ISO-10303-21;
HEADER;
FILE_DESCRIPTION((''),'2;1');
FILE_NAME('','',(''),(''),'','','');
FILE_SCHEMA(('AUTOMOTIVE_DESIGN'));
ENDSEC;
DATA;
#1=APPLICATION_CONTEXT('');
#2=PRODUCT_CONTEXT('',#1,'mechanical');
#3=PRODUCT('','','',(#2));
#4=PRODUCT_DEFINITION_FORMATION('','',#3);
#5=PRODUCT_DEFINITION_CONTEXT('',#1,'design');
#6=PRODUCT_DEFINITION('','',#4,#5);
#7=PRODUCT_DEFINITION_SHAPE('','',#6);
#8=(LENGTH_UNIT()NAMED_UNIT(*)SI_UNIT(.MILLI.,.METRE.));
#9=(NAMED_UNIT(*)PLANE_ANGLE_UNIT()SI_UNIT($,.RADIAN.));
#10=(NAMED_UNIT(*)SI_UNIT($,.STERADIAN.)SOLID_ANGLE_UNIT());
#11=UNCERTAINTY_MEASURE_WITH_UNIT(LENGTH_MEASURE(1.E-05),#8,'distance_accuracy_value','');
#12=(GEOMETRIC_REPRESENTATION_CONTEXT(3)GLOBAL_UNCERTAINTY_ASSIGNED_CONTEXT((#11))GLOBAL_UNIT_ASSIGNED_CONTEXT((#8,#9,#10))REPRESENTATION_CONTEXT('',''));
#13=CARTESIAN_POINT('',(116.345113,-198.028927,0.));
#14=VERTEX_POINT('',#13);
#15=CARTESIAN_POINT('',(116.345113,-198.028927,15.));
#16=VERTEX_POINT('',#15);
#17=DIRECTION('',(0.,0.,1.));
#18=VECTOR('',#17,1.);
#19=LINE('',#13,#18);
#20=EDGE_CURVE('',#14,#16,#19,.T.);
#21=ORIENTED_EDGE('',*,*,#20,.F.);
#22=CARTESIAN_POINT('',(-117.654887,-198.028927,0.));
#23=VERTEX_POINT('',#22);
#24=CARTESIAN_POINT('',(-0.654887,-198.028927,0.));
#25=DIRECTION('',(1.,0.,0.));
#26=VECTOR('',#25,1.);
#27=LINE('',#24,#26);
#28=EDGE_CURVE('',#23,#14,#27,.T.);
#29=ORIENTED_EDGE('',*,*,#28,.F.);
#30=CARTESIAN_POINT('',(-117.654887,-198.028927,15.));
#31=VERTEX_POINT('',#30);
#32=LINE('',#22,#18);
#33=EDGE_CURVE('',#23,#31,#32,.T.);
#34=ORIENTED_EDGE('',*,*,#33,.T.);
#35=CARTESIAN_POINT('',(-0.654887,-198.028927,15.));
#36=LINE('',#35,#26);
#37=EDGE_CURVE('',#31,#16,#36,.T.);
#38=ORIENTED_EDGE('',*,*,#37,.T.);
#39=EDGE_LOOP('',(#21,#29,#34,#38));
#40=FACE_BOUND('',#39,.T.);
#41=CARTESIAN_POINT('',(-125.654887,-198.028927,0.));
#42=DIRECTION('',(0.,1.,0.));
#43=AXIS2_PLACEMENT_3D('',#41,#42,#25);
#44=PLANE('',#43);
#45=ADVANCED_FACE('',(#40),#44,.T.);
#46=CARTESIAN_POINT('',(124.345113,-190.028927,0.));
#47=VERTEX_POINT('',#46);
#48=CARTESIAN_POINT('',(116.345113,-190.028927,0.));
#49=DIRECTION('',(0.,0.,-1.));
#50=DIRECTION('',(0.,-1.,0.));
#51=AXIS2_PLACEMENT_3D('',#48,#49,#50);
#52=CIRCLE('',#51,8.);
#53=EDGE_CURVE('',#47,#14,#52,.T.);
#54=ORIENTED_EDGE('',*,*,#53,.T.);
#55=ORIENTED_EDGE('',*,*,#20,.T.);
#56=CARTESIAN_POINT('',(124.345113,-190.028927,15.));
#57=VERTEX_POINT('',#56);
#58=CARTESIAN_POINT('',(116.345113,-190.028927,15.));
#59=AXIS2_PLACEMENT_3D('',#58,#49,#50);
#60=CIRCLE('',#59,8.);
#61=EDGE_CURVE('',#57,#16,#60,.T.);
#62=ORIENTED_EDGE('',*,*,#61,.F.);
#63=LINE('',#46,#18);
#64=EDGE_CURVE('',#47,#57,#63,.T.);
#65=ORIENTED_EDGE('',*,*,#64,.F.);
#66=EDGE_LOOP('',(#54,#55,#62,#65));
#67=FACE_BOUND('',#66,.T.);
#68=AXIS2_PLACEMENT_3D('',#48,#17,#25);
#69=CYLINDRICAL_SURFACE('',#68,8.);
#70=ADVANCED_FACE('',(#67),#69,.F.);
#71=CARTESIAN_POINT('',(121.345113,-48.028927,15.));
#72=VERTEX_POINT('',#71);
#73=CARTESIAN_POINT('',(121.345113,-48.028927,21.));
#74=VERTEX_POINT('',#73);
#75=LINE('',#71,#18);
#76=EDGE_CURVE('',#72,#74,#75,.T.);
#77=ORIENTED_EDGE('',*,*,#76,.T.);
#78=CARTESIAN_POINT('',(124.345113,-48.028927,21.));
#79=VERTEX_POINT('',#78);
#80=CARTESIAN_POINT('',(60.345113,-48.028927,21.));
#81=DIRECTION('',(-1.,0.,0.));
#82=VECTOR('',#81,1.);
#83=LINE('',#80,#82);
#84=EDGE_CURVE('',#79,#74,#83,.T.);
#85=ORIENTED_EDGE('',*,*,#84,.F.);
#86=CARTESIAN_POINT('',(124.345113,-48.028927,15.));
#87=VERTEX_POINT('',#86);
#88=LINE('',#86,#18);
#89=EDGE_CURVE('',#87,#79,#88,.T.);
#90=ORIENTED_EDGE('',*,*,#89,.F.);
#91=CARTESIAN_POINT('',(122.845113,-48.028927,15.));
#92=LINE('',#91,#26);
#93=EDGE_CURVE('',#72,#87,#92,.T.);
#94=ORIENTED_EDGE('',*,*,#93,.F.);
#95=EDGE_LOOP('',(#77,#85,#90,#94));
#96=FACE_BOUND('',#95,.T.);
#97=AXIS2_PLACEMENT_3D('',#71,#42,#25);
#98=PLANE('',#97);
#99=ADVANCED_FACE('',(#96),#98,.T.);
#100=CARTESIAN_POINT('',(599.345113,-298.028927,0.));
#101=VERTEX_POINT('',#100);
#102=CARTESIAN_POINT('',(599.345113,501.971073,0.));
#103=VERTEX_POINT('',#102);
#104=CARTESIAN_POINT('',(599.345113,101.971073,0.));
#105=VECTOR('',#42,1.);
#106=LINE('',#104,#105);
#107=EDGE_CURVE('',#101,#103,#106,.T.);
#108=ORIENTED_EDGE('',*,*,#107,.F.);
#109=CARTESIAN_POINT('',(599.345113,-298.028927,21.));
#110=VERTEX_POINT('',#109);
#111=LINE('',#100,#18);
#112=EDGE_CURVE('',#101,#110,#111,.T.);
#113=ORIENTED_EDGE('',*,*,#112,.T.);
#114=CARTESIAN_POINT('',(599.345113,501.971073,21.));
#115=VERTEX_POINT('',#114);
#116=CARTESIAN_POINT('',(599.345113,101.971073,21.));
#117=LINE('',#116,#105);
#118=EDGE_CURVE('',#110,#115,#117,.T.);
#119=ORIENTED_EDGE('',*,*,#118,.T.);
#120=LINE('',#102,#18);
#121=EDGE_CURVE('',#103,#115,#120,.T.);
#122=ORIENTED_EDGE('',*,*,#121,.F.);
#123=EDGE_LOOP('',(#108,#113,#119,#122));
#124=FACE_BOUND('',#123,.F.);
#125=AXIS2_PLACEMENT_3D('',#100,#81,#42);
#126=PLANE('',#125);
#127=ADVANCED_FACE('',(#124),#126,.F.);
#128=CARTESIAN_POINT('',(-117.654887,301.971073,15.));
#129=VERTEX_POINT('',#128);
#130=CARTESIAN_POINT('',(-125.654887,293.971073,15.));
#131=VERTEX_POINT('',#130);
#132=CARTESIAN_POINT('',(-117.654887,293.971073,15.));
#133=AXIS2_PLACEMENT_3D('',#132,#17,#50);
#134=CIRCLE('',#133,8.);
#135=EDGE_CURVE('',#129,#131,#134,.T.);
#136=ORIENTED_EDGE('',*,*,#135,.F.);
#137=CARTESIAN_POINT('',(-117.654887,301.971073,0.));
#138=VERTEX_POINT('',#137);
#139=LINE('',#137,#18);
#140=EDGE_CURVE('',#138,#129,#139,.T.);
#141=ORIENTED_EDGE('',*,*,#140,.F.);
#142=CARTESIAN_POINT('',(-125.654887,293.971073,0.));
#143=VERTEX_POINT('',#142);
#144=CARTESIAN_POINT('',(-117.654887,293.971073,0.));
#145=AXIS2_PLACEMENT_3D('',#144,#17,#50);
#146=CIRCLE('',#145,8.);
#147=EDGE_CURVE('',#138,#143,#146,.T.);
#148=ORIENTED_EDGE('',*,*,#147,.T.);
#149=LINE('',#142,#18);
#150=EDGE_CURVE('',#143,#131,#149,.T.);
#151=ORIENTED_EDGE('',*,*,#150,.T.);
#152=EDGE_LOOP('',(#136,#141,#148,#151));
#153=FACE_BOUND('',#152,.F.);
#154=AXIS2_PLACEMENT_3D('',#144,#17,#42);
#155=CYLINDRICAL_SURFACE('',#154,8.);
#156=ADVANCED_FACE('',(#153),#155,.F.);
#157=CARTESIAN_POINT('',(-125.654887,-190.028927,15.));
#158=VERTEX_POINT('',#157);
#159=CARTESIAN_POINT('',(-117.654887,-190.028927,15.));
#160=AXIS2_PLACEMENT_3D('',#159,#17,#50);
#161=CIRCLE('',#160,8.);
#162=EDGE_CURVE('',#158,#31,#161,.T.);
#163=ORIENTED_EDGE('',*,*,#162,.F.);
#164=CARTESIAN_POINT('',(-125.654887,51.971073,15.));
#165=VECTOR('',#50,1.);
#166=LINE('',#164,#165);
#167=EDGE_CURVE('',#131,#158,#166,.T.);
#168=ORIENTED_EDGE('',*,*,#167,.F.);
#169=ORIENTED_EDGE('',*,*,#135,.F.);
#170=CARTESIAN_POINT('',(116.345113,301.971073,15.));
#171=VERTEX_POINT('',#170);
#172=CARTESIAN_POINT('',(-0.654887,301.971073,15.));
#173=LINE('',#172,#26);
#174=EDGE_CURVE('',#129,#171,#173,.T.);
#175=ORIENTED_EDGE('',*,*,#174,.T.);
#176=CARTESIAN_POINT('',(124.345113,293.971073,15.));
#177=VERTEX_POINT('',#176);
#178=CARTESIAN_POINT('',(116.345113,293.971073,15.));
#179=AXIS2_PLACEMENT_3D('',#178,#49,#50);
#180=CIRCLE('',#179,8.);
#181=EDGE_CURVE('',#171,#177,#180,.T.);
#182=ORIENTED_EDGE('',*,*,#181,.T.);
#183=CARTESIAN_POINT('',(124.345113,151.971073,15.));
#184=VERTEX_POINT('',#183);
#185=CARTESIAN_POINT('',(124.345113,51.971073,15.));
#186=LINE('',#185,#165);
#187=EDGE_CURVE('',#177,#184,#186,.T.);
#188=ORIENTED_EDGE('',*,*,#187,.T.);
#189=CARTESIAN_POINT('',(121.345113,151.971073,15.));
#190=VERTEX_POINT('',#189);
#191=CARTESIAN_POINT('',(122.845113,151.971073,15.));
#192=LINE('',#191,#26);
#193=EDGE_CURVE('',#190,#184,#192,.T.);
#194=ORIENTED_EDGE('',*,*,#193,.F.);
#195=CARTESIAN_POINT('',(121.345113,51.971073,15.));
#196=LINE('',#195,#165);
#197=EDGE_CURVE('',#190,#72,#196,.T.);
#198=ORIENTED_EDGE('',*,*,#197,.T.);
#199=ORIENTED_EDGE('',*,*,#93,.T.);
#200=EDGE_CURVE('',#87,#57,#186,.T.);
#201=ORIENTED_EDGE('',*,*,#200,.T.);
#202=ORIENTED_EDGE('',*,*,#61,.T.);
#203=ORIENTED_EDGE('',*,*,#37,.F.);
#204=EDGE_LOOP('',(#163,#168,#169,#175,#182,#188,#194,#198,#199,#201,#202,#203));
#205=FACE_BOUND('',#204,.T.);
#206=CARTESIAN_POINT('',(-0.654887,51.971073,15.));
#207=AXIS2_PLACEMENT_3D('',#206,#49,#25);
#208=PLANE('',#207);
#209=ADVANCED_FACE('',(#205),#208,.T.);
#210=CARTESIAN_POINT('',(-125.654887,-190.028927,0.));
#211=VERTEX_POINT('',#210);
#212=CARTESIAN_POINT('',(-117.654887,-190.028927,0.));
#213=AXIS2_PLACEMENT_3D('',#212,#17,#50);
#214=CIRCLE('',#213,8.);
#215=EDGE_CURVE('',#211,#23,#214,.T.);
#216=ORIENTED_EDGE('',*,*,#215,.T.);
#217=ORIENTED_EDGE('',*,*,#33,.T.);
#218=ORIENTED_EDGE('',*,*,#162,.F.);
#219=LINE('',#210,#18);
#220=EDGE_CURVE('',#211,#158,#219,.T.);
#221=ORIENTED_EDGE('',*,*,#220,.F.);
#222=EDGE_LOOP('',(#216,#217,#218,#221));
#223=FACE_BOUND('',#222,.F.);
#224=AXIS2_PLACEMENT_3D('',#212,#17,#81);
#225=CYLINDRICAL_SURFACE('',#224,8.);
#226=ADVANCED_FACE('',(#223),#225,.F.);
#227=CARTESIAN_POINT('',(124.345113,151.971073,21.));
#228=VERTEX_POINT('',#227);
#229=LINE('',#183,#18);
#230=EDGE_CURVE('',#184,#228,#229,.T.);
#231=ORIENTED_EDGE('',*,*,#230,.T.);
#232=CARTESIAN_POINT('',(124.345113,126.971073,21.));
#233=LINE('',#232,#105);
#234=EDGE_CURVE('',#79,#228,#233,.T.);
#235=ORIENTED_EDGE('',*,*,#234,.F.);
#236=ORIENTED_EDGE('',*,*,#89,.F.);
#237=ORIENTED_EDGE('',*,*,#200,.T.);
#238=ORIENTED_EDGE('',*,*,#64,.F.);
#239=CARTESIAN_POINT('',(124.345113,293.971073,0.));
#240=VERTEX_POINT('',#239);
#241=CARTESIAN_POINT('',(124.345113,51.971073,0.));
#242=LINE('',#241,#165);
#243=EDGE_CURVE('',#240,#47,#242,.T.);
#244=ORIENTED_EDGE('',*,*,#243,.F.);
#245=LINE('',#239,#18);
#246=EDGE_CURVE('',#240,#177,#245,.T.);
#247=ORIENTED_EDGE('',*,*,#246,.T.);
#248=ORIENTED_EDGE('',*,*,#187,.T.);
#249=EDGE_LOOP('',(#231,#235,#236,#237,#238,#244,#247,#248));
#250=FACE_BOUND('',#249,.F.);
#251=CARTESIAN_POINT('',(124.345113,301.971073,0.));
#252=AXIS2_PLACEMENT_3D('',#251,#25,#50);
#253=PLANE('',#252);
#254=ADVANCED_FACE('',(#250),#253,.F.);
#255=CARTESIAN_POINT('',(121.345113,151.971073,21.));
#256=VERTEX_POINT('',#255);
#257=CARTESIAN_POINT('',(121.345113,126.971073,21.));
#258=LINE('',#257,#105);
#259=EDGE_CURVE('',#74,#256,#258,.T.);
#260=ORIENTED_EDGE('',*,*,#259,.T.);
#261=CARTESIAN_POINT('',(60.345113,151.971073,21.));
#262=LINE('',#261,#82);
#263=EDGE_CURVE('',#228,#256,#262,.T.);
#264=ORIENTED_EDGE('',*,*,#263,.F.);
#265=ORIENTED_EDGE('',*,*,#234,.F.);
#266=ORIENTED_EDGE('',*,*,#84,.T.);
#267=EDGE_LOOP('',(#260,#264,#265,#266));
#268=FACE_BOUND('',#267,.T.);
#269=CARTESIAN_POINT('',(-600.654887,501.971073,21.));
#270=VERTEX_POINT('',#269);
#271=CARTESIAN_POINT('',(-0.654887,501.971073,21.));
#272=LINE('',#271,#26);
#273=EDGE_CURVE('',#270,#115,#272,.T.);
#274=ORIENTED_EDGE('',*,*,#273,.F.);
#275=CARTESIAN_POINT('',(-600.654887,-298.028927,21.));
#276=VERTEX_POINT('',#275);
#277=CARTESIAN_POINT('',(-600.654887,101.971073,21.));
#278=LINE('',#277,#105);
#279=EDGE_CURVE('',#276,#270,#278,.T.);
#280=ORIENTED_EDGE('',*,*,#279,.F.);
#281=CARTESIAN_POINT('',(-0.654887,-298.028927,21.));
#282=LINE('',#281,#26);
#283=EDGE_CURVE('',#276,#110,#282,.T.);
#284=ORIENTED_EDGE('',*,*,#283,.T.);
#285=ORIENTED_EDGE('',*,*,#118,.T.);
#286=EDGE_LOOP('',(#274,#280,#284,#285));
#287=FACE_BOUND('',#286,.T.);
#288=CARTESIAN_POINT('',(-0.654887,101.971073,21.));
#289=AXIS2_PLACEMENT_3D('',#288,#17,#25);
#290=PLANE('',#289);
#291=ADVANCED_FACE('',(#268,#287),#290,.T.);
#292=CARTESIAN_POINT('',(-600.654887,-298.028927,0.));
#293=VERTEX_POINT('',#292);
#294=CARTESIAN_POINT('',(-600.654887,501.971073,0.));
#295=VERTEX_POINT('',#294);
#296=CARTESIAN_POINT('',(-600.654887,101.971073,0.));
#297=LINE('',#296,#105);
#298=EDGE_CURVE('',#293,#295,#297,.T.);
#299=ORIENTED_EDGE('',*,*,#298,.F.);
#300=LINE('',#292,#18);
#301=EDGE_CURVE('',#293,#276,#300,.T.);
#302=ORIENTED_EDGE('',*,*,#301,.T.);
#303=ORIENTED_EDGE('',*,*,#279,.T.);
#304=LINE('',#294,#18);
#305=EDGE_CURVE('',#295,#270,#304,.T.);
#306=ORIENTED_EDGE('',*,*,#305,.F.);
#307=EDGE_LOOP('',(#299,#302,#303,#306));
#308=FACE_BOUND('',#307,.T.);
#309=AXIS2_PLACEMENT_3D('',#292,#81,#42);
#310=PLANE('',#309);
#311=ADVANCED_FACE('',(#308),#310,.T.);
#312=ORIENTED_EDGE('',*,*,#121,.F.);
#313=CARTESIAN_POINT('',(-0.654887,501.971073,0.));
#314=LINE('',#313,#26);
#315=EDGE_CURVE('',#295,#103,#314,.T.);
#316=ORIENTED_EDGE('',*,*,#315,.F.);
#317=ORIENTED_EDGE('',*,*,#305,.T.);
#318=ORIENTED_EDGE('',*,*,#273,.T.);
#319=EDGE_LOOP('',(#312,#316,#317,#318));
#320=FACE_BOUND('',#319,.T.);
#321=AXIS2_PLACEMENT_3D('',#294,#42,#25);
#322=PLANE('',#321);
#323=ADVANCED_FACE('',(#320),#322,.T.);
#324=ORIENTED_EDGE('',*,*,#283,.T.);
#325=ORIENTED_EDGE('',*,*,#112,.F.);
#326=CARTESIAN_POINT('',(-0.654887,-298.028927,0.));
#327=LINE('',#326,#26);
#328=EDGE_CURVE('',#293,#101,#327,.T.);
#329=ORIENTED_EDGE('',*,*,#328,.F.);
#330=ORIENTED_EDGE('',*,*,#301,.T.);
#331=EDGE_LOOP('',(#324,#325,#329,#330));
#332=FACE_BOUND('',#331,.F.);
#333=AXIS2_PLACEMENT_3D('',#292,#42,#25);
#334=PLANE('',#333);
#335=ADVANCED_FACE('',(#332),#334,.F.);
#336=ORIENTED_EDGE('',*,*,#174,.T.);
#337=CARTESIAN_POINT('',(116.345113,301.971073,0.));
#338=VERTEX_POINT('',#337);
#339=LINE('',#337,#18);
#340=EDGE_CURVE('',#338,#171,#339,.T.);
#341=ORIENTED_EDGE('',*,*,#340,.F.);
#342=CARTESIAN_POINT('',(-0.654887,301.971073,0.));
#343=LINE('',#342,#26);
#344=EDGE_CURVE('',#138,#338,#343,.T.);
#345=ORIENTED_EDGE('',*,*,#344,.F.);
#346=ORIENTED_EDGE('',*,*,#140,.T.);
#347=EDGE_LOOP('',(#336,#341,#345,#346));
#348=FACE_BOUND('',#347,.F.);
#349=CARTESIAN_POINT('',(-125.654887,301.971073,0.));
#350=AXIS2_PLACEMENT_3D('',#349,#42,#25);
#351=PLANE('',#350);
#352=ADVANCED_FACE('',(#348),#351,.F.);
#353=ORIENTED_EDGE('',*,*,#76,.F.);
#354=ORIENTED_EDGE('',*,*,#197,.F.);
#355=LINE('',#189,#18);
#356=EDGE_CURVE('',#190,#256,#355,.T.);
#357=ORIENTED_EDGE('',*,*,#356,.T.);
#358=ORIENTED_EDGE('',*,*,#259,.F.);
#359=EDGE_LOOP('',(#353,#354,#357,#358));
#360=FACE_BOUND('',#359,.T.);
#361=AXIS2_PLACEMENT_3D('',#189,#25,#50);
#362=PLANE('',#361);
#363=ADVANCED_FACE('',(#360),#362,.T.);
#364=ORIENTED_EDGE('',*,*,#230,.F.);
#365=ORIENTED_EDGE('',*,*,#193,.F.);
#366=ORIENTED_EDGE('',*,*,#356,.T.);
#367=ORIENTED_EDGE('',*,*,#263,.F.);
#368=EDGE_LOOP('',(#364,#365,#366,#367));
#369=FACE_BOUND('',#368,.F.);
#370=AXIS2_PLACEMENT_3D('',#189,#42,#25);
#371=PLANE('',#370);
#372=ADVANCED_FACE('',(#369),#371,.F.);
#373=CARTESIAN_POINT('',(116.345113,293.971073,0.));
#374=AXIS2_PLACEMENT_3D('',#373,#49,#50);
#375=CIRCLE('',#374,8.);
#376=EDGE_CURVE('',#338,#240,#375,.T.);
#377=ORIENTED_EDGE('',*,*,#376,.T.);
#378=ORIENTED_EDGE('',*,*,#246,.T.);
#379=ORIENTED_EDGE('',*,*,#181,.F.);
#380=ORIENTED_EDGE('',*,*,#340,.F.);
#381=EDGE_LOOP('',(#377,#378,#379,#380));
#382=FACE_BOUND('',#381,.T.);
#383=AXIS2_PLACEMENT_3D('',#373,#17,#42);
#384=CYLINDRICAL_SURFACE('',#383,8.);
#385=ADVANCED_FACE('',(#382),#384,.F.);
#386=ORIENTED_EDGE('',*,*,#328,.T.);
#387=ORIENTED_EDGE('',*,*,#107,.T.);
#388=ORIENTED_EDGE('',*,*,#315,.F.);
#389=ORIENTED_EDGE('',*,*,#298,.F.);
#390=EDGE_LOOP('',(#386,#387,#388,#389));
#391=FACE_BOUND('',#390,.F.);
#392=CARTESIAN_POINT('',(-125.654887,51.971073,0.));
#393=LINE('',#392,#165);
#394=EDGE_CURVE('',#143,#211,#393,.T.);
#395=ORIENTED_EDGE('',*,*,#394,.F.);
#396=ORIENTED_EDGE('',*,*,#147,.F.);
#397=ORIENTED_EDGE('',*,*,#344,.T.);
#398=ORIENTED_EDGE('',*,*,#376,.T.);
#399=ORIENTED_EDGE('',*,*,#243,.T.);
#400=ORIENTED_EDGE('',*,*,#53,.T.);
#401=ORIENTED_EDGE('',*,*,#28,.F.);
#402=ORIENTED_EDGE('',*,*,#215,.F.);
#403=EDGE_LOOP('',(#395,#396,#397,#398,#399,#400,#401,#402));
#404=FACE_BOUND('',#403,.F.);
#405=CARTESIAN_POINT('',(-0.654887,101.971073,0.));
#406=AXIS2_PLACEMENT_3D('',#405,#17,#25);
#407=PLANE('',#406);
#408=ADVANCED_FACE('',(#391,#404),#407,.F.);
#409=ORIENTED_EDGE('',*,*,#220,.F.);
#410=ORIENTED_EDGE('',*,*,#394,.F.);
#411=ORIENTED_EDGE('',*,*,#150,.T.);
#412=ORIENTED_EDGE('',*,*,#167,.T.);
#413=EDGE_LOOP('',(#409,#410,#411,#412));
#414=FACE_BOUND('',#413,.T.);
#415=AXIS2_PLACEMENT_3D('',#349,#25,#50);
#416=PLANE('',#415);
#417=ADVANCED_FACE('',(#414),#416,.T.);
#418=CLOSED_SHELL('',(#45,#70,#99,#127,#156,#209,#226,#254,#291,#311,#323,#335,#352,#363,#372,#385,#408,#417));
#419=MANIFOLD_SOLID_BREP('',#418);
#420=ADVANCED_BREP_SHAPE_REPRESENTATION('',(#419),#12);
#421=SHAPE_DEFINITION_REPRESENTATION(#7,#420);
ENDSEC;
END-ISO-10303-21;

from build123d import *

# Parameters (mm, degrees)
F0_W     = 1200
F0_H     = 800
F1_DEPTH = 21
F2_W     = 250
F2_H     = 500
F3_DEPTH = 15
F4_R     = 8
F5_R     = 8
F6_R     = 8
F7_R     = 8
F8_W     = 3
F8_H     = 200
F9_DEPTH = 25


with BuildPart() as f1:
    # F0 (on Top) → F1 (new body)
    with BuildSketch(Plane.XY):
        with Locations((-0.654887, 101.971073)):
            Rectangle(F0_W, F0_H)
    extrude(amount=F1_DEPTH)

    # F2 (on face) → F3 (cut)
    with BuildSketch(Plane(origin=(0, 0, 0), x_dir=(1, 0, 0), z_dir=(0, 0, -1))):
        with Locations((-0.654887, -51.971073)):
            Rectangle(F2_W, F2_H)
    extrude(amount=-F3_DEPTH, mode=Mode.SUBTRACT)

    # F4
    f4_edges = [f1.edges().sort_by_distance(p)[0] for p in [
        (-125.654887, -198.028927, 7.5),
    ]]
    fillet(f4_edges, radius=F4_R)

    # F5
    f5_edges = [f1.edges().sort_by_distance(p)[0] for p in [
        (124.345113, 301.971073, 7.5),
    ]]
    fillet(f5_edges, radius=F5_R)

    # F6
    f6_edges = [f1.edges().sort_by_distance(p)[0] for p in [
        (124.345113, -198.028927, 7.5),
    ]]
    fillet(f6_edges, radius=F6_R)

    # F7
    f7_edges = [f1.edges().sort_by_distance(p)[0] for p in [
        (-125.654887, 301.971073, 7.5),
    ]]
    fillet(f7_edges, radius=F7_R)

    # F8 (on face) → F9 (cut)
    with BuildSketch(Plane(origin=(0, 0, 15), x_dir=(1, 0, 0), z_dir=(0, 0, -1))):
        with Locations((122.845113, -51.971073)):
            Rectangle(F8_W, F8_H)
    extrude(amount=-F9_DEPTH, mode=Mode.SUBTRACT)


solid = f1.part
